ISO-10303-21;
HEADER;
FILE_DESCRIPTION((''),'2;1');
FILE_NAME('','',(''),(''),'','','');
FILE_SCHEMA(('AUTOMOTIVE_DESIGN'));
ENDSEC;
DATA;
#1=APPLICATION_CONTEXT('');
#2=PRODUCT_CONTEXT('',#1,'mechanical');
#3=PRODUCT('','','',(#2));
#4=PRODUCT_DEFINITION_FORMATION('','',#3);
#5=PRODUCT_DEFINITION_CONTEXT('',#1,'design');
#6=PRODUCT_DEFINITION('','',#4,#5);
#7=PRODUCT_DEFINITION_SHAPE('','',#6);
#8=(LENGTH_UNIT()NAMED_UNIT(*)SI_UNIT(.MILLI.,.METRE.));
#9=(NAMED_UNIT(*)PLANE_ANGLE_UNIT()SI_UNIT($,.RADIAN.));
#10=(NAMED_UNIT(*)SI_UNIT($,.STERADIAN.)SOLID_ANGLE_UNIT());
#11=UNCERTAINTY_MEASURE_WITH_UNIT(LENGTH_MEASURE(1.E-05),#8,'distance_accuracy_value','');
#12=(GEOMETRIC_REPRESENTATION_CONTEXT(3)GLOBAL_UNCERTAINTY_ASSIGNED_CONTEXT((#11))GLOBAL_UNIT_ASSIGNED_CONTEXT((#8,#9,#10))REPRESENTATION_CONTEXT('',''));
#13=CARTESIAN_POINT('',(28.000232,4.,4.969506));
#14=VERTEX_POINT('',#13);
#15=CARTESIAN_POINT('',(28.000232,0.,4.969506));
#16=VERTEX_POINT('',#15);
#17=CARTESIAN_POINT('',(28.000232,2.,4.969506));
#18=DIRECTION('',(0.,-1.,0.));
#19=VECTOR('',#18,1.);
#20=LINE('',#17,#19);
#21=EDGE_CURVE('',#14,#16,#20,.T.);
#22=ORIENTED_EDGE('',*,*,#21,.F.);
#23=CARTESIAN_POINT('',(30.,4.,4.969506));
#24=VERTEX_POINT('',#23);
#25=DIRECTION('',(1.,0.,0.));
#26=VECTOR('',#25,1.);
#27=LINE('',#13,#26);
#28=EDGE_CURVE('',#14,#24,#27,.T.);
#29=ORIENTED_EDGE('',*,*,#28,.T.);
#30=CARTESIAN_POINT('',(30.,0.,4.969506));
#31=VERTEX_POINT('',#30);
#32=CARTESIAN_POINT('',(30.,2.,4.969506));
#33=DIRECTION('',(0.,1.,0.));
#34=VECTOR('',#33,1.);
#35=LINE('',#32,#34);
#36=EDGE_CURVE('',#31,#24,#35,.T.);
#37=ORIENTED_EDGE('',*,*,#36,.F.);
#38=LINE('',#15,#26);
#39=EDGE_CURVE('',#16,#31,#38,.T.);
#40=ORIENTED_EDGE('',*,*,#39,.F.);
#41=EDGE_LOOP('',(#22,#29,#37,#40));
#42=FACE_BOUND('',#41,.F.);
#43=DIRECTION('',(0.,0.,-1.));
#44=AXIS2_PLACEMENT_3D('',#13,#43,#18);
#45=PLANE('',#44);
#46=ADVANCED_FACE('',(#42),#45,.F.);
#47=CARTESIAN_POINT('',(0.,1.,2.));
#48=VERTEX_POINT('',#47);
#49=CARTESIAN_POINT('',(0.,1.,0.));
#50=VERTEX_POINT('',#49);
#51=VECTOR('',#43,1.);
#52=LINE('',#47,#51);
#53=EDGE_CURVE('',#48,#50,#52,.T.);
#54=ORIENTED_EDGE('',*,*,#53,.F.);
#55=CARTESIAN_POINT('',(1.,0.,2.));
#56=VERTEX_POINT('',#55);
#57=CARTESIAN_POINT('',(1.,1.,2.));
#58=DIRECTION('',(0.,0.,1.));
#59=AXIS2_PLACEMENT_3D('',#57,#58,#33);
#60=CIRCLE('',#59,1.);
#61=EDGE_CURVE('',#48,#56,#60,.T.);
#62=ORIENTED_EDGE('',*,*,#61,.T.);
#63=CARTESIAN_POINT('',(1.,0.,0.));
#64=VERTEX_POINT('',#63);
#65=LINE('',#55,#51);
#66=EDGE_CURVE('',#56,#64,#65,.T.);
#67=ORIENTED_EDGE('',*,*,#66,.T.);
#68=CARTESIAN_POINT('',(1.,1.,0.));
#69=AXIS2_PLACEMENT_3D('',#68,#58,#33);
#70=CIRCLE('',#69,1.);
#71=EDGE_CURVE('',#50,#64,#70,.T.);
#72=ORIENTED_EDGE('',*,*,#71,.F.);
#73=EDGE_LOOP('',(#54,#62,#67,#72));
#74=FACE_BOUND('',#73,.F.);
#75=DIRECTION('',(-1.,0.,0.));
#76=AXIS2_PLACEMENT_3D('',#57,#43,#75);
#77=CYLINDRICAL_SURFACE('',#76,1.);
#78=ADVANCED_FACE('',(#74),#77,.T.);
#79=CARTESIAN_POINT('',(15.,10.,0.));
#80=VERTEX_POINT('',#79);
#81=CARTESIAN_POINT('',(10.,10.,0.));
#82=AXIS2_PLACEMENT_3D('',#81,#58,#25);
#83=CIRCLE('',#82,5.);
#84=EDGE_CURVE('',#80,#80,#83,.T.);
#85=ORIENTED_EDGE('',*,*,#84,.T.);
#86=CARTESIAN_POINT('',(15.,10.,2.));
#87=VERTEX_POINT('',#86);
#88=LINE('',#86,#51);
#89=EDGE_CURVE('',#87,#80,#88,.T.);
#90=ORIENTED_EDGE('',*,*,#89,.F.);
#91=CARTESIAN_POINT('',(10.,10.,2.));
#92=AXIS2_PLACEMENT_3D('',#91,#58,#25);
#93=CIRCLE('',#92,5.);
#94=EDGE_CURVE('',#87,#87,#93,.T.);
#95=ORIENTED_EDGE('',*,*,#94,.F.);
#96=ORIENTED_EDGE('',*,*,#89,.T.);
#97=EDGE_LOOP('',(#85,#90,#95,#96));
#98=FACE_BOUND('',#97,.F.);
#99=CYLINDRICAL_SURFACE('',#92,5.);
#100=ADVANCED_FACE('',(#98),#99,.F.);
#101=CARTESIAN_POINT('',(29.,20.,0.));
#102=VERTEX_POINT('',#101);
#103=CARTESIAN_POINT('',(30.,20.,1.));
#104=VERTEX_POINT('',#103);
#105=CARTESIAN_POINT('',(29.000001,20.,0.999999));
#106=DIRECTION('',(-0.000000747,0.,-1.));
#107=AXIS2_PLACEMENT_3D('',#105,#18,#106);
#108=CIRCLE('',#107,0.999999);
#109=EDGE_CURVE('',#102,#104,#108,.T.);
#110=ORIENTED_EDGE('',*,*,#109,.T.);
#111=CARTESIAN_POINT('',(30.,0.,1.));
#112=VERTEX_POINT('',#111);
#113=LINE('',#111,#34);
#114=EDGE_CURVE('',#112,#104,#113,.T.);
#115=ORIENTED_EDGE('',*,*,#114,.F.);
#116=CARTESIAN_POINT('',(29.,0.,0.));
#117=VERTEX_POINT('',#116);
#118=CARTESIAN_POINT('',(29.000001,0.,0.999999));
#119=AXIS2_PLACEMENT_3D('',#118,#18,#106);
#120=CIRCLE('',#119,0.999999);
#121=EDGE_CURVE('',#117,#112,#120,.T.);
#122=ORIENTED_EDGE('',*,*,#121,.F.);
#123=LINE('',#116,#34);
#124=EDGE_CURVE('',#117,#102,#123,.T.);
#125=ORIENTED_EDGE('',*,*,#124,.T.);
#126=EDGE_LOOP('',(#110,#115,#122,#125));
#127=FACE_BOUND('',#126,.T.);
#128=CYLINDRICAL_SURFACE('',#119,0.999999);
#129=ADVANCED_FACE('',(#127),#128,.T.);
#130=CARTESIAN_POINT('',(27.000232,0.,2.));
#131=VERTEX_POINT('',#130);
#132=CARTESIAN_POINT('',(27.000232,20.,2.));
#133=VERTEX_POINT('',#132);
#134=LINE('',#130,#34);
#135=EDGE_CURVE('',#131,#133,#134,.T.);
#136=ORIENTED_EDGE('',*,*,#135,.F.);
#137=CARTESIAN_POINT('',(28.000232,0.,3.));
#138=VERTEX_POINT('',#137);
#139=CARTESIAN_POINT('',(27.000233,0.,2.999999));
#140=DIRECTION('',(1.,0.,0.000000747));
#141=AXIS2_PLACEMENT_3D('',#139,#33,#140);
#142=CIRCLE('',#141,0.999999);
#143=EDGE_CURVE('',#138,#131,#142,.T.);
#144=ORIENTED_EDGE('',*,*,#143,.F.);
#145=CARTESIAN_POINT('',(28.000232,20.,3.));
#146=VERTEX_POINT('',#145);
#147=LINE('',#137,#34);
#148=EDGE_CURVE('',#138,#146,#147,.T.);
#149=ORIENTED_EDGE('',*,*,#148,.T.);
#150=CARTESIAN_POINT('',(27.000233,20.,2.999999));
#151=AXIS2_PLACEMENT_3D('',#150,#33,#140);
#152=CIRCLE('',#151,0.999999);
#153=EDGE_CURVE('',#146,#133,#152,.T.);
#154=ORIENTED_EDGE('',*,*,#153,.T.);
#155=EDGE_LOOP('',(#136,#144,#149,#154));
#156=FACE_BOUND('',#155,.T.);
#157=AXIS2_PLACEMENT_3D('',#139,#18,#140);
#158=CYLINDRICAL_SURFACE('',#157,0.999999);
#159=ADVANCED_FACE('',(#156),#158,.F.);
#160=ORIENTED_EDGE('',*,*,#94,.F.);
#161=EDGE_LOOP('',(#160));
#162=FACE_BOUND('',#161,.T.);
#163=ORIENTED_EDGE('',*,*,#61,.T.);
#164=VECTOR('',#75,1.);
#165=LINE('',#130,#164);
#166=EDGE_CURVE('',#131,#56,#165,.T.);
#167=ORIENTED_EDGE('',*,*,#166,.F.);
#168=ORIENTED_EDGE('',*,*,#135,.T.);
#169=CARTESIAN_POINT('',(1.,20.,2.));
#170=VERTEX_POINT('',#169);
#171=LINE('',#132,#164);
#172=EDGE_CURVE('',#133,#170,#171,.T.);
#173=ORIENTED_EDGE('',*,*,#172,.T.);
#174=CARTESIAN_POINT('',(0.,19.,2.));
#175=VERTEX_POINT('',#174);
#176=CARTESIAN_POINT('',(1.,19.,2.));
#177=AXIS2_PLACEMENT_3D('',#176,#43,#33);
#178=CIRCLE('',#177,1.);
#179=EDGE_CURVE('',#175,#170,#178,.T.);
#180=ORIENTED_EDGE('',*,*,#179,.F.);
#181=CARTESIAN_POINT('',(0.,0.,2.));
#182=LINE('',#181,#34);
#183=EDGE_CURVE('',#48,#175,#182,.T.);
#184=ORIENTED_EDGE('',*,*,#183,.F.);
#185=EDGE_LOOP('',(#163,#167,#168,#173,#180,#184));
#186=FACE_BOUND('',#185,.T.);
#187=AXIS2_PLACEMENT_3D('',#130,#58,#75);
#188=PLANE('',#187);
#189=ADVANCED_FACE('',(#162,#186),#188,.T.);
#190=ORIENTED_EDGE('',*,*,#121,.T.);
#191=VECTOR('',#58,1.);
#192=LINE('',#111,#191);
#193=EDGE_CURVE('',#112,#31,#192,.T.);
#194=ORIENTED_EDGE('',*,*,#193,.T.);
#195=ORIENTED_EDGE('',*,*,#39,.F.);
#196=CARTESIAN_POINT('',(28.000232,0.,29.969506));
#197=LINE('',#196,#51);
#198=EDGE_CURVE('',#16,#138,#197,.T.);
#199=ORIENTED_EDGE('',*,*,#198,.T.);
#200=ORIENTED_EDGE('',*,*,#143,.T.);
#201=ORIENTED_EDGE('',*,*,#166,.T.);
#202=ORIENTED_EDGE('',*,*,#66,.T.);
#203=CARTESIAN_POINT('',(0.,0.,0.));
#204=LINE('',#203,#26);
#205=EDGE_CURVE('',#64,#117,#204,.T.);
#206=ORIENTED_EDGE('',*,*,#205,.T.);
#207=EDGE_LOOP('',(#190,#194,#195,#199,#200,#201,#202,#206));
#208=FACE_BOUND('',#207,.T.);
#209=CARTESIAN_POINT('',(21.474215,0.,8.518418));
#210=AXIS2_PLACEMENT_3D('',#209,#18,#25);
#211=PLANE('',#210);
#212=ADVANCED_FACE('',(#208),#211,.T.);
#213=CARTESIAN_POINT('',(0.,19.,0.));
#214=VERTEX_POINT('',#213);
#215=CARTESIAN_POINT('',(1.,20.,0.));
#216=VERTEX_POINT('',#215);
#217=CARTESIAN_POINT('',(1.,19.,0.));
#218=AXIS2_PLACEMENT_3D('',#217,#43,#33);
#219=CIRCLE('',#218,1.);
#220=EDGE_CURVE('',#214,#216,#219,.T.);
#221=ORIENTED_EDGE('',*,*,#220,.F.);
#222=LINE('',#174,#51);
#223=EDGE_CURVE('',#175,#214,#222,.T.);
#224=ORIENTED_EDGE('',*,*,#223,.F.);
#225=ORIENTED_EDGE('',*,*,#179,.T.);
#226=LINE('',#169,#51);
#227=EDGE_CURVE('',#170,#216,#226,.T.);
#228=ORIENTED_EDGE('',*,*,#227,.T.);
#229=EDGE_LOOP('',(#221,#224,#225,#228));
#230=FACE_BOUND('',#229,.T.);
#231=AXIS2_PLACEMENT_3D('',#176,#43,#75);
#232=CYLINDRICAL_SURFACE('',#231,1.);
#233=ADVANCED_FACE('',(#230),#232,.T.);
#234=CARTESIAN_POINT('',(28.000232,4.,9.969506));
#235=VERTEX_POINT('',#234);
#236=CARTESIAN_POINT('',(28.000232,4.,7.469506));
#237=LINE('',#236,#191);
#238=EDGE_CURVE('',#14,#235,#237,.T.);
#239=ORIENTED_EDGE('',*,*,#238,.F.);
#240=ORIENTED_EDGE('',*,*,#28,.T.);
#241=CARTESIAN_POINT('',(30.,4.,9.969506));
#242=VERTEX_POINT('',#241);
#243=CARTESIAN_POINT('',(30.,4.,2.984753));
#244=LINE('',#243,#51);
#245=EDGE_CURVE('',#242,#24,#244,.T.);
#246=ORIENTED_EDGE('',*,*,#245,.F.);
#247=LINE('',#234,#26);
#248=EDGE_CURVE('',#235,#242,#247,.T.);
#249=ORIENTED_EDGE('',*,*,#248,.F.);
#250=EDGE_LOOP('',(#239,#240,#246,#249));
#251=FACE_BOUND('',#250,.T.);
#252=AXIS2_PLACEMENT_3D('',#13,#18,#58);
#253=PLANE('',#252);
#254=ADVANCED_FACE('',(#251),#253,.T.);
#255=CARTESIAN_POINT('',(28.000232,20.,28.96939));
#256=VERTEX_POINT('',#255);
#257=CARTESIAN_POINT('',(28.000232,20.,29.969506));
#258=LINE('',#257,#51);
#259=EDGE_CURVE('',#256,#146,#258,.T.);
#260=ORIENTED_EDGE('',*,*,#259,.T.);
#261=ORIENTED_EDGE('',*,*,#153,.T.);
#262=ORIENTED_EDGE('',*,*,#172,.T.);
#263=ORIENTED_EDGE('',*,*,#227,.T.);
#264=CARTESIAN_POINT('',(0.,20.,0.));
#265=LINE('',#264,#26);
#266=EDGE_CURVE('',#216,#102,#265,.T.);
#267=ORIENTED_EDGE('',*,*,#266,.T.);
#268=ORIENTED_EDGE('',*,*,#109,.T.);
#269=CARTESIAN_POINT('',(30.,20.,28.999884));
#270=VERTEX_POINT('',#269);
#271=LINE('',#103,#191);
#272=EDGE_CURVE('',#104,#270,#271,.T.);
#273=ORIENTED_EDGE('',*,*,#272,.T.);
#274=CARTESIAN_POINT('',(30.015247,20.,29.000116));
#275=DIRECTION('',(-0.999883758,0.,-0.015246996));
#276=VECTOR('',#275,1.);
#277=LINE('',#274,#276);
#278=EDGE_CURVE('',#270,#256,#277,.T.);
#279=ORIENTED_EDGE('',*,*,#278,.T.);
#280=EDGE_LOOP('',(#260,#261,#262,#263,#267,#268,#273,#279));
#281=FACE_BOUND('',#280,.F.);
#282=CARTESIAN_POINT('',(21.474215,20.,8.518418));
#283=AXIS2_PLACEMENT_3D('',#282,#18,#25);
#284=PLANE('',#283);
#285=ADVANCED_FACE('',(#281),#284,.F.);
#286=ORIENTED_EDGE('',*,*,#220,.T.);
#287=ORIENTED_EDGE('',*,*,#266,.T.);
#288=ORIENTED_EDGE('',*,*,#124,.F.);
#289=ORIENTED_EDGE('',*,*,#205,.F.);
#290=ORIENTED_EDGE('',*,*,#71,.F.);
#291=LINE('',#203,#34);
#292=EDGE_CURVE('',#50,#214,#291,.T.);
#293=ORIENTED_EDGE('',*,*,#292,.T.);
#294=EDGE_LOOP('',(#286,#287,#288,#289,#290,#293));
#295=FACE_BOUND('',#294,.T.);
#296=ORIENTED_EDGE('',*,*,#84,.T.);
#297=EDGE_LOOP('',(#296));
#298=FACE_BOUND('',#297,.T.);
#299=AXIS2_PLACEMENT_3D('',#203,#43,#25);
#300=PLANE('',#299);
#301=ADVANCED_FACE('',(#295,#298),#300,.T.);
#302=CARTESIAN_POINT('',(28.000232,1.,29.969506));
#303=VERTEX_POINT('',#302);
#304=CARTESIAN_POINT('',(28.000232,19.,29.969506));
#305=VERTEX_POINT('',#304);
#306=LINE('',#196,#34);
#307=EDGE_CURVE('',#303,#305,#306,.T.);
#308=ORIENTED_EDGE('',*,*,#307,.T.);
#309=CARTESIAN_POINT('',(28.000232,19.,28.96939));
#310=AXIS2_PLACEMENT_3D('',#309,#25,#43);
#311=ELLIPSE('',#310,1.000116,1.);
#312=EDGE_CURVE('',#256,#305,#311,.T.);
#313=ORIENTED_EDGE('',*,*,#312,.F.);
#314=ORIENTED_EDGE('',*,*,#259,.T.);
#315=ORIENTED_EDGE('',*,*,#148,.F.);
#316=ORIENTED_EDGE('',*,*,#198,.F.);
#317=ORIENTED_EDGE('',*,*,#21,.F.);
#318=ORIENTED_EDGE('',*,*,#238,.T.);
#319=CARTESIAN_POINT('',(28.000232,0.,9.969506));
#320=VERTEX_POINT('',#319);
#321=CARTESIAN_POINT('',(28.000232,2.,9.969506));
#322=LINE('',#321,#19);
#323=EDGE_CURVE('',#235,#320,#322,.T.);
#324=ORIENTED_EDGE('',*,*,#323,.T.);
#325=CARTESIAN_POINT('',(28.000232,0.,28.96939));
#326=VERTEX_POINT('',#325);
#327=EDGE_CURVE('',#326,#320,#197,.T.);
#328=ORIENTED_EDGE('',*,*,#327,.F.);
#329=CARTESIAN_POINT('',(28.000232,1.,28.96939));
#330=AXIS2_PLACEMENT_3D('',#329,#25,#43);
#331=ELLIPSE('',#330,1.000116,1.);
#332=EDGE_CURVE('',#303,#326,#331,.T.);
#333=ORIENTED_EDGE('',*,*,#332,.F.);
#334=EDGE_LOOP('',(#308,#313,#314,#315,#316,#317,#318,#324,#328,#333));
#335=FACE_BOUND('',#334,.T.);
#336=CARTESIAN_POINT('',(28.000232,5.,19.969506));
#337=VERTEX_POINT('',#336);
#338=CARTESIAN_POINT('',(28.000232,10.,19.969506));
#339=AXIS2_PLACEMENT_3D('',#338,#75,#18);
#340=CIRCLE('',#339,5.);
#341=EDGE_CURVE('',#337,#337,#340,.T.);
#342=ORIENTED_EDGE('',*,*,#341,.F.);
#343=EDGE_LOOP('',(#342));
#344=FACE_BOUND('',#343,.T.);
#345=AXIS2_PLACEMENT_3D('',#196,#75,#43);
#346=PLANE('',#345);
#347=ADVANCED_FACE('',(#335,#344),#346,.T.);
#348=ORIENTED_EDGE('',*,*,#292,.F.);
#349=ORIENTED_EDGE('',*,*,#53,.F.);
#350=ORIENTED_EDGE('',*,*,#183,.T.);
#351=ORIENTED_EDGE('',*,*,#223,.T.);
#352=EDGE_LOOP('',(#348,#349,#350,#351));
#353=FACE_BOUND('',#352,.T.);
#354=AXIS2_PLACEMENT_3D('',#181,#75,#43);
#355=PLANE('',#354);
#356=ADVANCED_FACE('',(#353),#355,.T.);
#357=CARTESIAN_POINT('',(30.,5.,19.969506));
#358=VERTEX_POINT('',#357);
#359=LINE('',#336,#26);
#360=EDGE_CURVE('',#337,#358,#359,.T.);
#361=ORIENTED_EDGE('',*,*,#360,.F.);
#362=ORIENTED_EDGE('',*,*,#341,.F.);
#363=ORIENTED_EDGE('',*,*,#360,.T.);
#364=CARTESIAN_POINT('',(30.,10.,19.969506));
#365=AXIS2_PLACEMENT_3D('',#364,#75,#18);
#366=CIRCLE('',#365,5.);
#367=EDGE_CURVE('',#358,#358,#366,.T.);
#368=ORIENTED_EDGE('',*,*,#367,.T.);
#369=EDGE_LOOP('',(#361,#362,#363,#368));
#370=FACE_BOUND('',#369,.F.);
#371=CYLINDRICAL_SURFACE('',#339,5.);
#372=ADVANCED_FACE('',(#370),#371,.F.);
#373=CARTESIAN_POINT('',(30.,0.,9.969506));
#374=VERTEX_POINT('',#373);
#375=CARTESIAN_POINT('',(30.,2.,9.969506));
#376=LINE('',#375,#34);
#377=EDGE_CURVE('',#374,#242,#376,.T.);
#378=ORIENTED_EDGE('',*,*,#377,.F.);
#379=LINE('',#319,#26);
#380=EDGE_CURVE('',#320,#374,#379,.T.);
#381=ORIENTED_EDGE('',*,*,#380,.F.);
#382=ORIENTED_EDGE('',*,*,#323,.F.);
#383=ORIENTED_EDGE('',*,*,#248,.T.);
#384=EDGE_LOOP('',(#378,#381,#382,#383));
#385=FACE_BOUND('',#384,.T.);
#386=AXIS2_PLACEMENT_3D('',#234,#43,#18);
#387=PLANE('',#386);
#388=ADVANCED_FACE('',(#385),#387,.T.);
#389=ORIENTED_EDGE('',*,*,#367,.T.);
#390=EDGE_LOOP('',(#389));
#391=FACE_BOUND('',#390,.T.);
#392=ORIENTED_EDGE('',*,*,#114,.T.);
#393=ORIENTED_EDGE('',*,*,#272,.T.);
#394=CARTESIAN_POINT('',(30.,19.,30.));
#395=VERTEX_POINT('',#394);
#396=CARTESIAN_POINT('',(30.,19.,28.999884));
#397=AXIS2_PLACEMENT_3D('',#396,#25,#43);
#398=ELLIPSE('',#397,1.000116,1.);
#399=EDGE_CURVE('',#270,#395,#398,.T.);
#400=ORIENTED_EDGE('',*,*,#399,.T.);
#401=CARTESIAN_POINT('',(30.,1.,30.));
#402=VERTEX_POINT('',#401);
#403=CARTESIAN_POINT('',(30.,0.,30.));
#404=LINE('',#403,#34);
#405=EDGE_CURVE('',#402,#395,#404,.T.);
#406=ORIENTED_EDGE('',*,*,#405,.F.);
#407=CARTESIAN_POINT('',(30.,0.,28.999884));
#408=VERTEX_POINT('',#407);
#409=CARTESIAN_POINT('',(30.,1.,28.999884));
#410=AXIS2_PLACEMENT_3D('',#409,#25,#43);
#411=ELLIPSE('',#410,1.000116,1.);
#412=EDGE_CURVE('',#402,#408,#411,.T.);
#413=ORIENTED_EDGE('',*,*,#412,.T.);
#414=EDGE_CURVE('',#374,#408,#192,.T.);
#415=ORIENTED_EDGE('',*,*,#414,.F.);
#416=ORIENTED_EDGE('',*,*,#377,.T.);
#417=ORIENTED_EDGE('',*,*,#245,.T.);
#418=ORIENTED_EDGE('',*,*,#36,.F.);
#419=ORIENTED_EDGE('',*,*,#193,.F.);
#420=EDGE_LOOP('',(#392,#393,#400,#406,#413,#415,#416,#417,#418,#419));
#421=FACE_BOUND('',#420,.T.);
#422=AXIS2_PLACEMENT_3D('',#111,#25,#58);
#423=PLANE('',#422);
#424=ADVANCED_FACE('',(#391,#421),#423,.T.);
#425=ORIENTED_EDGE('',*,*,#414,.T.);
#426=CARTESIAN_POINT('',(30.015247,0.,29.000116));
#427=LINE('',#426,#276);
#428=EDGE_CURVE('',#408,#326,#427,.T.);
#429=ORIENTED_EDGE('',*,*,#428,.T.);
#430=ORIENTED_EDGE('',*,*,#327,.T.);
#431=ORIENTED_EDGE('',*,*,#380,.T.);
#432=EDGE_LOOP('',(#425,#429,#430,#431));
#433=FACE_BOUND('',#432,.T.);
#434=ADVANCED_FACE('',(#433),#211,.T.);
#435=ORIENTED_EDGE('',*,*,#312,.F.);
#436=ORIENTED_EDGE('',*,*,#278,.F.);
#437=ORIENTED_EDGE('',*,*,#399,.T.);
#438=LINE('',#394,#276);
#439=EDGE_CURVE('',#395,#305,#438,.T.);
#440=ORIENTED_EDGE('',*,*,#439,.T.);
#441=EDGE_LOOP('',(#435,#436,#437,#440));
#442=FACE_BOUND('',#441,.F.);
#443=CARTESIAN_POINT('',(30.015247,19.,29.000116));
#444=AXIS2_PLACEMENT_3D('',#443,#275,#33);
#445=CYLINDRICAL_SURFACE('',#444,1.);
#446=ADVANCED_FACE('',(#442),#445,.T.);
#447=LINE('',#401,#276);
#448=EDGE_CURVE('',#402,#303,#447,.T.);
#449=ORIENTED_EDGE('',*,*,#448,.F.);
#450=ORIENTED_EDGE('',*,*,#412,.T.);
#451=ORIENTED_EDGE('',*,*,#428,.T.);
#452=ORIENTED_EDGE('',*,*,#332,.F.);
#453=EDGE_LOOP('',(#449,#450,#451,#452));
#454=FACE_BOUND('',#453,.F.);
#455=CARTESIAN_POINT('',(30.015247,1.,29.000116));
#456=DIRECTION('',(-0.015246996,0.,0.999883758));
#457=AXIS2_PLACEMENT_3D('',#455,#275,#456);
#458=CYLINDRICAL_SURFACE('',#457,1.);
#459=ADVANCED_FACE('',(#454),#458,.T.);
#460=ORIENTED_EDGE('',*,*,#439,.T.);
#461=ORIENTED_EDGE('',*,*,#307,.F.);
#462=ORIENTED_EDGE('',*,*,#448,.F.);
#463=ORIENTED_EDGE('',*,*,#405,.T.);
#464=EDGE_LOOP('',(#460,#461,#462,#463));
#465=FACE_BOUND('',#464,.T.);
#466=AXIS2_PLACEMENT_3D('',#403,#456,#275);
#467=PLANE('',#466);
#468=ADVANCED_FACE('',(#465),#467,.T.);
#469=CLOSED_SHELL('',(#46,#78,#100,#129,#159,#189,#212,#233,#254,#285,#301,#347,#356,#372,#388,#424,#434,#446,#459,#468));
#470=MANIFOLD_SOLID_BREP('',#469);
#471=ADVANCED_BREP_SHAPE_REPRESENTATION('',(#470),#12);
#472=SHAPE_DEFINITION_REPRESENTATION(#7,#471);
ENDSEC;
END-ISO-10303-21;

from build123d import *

# Parameters (mm, degrees)
F1_DEPTH = 20
F2_R     = 5
F3_DEPTH = 2.001
F4_R     = 5
F5_DEPTH = 2.000768
F6_W     = 4
F6_H     = 5
F7_DEPTH = 2.000768
F8_R     = 1


with BuildPart() as f1:
    # F0 (on Front) → F1 (new body)
    with BuildSketch(Plane.XZ):
        with BuildLine():
            Line((0, 2), (0, 0))
            Line((0, 0), (29, 0))
            ThreePointArc((29, 0), (29.707107, 0.292893), (30, 1))
            Line((30, 1), (30, 30))
            Line((30, 30), (28.000232, 29.969506))
            Line((28.000232, 29.969506), (28.000232, 3))
            ThreePointArc((28.000232, 3), (27.707339, 2.292893), (27.000232, 2))
            Line((27.000232, 2), (0, 2))
        make_face()
    extrude(amount=-F1_DEPTH)

    # F2 (on face) → F3 (cut, through all)
    with BuildSketch(Plane.XY.offset(2)):
        with Locations((10, 10)):
            Circle(F2_R)
    extrude(amount=-F3_DEPTH, mode=Mode.SUBTRACT)

    # F4 (on face) → F5 (cut, through all)
    with BuildSketch(Plane(origin=(28.000232, 0, 0), x_dir=(0, -1, 0), z_dir=(-1, 0, 0))):
        with Locations((-10, 19.969506)):
            Circle(F4_R)
    extrude(amount=-F5_DEPTH, mode=Mode.SUBTRACT)

    # F6 (on face) → F7 (cut, through all)
    with BuildSketch(Plane(origin=(28.000232, 0, 0), x_dir=(0, -1, 0), z_dir=(-1, 0, 0))):
        with Locations((-2, 7.469506)):
            Rectangle(F6_W, F6_H)
    extrude(amount=-F7_DEPTH, mode=Mode.SUBTRACT)

    # F8
    f8_edges = [f1.edges().sort_by_distance(p)[0] for p in [
        (0, 0, 1),
        (29.000116, 0, 29.984753),
        (0, 20, 1),
        (29.000116, 20, 29.984753),
    ]]
    fillet(f8_edges, radius=F8_R)


solid = f1.part
